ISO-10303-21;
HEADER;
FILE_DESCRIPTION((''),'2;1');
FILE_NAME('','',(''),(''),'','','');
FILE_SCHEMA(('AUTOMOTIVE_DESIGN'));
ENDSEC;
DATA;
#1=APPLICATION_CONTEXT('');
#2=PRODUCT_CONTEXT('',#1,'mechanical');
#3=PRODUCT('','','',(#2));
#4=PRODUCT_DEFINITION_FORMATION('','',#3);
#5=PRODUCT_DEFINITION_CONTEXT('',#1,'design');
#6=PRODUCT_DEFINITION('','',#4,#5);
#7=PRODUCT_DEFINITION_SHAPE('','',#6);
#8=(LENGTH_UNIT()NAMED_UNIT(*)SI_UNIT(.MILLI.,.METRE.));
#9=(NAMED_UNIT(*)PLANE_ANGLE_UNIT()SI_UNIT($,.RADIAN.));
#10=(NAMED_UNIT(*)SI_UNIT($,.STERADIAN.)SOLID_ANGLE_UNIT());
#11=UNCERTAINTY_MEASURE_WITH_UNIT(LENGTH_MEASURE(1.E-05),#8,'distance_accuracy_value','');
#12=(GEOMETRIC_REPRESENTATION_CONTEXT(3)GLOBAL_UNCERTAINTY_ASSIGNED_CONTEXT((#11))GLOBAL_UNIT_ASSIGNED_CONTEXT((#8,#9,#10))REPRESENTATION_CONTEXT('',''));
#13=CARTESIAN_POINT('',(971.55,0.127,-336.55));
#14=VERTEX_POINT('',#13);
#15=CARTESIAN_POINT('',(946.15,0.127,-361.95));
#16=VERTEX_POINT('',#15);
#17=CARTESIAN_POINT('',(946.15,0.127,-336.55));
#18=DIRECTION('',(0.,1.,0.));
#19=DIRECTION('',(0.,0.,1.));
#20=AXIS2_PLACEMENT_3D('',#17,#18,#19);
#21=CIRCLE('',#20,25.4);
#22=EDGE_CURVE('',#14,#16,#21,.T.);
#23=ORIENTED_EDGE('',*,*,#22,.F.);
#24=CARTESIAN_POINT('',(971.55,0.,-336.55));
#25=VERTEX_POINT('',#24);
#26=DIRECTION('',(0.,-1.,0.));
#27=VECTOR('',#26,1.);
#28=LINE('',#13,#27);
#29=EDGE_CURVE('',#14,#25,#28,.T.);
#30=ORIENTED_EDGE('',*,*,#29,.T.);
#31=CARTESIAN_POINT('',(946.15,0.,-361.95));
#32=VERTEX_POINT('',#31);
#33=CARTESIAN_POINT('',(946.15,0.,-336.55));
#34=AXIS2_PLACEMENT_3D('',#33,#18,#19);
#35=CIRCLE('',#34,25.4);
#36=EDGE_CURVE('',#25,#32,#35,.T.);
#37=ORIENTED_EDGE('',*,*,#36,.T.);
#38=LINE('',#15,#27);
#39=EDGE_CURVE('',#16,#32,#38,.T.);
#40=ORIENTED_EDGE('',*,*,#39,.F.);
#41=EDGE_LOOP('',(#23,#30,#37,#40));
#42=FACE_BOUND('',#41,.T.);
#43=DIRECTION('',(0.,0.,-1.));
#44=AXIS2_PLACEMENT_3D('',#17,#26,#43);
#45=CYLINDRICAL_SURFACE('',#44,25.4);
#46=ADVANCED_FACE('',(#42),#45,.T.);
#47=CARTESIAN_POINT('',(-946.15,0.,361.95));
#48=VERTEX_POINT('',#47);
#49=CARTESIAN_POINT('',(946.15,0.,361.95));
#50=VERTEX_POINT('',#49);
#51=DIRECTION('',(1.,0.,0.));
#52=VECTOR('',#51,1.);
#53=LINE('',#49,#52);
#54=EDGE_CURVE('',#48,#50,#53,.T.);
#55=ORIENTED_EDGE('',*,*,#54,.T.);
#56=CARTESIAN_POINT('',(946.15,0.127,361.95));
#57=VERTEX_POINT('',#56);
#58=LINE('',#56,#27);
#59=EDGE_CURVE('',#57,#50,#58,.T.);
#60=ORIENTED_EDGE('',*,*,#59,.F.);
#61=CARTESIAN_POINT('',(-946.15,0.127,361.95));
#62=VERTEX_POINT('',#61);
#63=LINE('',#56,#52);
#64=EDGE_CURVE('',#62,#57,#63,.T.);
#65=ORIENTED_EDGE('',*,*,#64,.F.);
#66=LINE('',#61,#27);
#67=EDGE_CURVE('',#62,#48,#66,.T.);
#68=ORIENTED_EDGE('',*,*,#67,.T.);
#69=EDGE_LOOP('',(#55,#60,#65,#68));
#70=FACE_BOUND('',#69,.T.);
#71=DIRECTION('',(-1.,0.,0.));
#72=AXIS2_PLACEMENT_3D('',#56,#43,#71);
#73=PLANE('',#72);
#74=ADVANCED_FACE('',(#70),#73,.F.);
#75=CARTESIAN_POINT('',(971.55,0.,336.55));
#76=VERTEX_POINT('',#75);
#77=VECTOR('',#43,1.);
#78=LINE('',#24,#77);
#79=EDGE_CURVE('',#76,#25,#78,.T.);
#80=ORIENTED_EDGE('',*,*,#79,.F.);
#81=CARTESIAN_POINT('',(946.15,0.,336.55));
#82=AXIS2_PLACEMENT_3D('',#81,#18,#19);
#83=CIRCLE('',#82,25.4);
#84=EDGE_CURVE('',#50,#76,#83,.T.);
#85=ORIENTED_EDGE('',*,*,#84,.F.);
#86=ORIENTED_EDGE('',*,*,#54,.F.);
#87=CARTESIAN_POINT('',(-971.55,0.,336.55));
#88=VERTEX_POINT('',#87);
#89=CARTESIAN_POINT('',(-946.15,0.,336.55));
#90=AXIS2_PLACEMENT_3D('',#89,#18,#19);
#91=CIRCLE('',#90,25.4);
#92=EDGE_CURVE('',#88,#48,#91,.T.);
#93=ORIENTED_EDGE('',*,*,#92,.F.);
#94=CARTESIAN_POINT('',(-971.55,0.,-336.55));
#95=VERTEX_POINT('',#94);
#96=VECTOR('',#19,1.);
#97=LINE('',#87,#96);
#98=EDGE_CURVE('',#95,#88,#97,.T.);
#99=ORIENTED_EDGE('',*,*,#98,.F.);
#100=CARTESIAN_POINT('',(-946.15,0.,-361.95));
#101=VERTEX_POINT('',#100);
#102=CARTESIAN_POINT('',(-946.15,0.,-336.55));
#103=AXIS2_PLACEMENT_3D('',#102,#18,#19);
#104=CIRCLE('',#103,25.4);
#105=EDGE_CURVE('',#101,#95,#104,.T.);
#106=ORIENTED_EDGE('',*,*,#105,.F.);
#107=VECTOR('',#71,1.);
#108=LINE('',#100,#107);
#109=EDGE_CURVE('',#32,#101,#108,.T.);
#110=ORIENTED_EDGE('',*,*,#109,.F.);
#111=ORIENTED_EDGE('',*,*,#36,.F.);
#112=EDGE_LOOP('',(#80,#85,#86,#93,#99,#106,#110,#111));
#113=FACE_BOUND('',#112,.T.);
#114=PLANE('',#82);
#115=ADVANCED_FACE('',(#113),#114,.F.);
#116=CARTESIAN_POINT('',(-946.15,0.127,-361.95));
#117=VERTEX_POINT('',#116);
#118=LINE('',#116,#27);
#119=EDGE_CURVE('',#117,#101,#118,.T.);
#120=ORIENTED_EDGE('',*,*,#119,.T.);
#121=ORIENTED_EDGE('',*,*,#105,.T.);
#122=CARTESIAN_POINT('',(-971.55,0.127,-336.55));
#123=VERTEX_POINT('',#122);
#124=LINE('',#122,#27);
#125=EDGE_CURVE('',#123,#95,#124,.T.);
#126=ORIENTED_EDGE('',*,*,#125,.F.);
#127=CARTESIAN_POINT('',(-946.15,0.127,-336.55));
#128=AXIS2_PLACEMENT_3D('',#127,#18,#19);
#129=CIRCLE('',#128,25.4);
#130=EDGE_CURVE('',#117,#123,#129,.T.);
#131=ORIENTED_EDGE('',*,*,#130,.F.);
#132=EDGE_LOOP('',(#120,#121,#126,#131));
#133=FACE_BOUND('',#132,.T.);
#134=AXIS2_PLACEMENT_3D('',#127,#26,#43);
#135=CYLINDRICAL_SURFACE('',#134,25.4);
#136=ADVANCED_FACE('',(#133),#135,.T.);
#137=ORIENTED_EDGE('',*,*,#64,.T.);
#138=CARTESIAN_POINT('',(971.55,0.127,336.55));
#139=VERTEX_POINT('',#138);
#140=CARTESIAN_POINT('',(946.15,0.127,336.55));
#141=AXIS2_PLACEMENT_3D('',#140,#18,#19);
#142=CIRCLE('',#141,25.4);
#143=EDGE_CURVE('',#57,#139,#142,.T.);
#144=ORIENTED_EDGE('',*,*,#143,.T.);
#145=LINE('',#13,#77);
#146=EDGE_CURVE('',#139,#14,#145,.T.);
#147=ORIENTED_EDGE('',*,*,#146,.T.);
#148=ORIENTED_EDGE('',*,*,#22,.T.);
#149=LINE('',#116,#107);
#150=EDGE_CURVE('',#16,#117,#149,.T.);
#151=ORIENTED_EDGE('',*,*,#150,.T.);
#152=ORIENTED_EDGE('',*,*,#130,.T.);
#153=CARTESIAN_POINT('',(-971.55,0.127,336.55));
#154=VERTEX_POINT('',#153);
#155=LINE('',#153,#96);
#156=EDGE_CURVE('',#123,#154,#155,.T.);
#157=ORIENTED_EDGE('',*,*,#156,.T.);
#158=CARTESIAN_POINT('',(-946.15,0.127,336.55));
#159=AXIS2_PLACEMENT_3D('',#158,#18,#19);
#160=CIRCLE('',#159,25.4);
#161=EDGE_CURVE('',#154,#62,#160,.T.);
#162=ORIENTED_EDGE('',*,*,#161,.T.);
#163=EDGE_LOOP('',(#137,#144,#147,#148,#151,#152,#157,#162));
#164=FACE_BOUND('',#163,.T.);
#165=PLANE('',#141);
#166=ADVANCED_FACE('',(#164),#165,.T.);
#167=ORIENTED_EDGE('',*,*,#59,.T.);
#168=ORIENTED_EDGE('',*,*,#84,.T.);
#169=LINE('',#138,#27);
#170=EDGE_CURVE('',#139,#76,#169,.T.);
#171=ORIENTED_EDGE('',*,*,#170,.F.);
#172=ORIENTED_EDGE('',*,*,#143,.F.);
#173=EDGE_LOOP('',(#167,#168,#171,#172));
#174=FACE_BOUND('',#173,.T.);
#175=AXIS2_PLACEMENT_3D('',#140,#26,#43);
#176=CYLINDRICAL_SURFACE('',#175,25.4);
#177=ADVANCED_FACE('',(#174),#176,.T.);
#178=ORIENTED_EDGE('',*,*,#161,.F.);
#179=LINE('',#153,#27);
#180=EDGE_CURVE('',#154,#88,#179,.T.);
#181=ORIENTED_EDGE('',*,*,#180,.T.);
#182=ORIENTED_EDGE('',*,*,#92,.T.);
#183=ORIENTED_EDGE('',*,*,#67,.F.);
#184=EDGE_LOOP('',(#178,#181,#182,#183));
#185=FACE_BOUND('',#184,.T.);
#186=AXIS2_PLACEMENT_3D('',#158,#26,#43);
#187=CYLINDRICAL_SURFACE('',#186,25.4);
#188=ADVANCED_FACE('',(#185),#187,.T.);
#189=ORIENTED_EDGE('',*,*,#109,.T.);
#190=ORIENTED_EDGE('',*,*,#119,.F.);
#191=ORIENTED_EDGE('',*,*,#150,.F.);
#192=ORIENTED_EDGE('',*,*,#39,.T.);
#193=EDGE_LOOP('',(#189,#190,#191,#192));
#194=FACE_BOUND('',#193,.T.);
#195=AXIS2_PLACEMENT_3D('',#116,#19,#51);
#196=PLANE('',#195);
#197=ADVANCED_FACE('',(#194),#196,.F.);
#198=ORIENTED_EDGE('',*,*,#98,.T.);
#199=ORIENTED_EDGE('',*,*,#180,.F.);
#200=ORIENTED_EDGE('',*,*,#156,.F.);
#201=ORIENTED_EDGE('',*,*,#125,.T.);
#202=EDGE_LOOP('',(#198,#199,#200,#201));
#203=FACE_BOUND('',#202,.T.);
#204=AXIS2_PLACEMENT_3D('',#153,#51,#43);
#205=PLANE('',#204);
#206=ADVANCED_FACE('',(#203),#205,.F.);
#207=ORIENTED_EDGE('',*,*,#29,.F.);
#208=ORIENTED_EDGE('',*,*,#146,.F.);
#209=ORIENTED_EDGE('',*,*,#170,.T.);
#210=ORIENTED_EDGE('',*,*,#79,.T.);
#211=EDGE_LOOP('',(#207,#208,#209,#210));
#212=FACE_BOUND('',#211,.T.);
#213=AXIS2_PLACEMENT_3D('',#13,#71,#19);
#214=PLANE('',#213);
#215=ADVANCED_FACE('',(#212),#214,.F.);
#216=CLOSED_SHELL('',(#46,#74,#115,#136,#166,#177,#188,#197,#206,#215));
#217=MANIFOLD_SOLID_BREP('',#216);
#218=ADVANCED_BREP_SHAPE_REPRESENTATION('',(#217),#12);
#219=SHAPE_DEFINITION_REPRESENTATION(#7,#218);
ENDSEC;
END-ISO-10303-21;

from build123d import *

# Parameters (mm, degrees)
BOSS_EXTRUDE1_DEPTH = 0.127


with BuildPart() as part:
    # Sketch1 → Boss-Extrude1 (new body)
    with BuildSketch(Plane(origin=(0, 0, 0), x_dir=(1, 0, 0), z_dir=(0, 1, 0))):
        with BuildLine():
            Line((946.15, -361.95), (-946.15, -361.95))
            ThreePointArc((-946.15, -361.95), (-964.110512242, -354.510512242), (-971.55, -336.55))
            Line((-971.55, -336.55), (-971.55, 336.55))
            ThreePointArc((-971.55, 336.55), (-964.110512242, 354.510512242), (-946.15, 361.95))
            Line((-946.15, 361.95), (946.15, 361.95))
            ThreePointArc((946.15, 361.95), (964.110512242, 354.510512242), (971.55, 336.55))
            Line((971.55, 336.55), (971.55, -336.55))
            ThreePointArc((971.55, -336.55), (964.110512242, -354.510512242), (946.15, -361.95))
        make_face()
    extrude(amount=BOSS_EXTRUDE1_DEPTH)


solid = part.part
